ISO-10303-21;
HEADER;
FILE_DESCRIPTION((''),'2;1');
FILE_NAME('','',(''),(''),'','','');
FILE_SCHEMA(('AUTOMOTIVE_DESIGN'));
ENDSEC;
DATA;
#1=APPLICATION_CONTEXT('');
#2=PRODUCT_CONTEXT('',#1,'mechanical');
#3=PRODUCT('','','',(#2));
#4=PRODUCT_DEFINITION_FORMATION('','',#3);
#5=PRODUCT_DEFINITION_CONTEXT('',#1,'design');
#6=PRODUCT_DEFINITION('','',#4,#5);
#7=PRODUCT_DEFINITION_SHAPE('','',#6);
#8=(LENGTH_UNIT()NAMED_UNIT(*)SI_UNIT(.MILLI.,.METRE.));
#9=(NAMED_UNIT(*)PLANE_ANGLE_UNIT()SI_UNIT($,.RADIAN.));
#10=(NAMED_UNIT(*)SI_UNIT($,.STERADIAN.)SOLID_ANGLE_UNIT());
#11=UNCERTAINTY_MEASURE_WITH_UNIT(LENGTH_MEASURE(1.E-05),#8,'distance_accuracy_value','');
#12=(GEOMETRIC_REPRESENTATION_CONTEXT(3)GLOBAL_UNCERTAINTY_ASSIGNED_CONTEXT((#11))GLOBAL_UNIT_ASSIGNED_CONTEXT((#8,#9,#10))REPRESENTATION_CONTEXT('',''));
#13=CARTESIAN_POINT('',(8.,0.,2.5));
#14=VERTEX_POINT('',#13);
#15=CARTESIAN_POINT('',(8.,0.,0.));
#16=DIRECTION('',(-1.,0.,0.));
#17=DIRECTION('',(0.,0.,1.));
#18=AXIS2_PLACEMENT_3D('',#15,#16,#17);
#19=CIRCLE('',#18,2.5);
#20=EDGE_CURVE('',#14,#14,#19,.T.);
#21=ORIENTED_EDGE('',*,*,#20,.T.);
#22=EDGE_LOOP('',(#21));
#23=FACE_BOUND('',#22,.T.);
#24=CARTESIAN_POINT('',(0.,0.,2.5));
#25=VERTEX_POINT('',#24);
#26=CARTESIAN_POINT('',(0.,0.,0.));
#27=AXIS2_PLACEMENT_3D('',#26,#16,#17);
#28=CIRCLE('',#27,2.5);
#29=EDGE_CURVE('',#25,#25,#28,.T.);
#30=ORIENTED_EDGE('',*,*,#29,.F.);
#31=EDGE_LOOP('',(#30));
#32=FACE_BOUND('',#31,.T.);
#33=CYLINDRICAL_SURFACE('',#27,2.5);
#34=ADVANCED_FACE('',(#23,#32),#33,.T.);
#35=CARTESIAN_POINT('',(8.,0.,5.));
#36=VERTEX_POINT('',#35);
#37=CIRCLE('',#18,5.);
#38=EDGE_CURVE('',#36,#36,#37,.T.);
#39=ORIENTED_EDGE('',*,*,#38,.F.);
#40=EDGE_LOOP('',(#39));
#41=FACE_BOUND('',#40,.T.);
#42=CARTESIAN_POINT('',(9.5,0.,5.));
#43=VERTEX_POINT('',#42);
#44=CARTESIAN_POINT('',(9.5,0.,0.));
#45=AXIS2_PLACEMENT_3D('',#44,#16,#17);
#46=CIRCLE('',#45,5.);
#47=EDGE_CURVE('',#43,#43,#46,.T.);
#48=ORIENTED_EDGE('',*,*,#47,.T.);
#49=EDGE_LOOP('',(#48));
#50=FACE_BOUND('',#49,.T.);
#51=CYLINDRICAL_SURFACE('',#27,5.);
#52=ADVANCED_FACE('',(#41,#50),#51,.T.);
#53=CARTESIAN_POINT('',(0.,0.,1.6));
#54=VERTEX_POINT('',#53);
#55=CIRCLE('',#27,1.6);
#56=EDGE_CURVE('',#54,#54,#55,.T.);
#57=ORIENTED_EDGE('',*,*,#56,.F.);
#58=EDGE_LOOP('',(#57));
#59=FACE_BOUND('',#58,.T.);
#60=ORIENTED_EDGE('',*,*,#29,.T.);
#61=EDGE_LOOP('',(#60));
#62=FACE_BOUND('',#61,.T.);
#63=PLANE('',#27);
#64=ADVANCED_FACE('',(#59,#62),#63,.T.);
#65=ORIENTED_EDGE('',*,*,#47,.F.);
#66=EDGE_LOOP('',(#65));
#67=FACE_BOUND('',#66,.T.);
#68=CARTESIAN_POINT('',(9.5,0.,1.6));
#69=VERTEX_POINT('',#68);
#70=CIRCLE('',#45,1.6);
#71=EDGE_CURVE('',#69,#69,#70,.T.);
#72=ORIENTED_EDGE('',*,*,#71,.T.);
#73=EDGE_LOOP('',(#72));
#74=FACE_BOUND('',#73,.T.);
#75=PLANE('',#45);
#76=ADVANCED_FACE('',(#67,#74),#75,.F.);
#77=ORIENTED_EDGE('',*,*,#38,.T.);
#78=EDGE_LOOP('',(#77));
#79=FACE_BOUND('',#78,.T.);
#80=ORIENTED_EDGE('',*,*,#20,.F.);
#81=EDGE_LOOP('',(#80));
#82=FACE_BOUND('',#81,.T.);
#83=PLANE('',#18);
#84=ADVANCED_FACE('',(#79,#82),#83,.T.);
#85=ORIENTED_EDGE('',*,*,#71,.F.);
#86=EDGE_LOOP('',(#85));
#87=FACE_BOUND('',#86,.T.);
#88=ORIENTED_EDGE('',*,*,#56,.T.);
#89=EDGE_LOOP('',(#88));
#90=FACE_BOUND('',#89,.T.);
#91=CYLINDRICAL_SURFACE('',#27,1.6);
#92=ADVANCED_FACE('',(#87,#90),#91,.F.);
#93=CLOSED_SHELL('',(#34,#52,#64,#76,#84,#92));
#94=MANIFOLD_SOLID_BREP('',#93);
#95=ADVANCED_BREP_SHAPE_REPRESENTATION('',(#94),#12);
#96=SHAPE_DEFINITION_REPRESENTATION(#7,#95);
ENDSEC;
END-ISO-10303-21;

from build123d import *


with BuildPart() as part:
    # 草图1 → 旋转1 (revolve)
    with BuildSketch(Plane.XY, mode=Mode.PRIVATE) as revolve_1_sk:
        Polygon((0, 1.6), (0, 2.5), (8, 2.5), (8, 5), (9.5, 5), (9.5, 1.6), align=None)
    revolve(revolve_1_sk.sketch.rotate(Axis((0, 0, 0), (1, 0, 0)), 90), axis=Axis((0, 0, 0), (1, 0, 0)))


solid = part.part
